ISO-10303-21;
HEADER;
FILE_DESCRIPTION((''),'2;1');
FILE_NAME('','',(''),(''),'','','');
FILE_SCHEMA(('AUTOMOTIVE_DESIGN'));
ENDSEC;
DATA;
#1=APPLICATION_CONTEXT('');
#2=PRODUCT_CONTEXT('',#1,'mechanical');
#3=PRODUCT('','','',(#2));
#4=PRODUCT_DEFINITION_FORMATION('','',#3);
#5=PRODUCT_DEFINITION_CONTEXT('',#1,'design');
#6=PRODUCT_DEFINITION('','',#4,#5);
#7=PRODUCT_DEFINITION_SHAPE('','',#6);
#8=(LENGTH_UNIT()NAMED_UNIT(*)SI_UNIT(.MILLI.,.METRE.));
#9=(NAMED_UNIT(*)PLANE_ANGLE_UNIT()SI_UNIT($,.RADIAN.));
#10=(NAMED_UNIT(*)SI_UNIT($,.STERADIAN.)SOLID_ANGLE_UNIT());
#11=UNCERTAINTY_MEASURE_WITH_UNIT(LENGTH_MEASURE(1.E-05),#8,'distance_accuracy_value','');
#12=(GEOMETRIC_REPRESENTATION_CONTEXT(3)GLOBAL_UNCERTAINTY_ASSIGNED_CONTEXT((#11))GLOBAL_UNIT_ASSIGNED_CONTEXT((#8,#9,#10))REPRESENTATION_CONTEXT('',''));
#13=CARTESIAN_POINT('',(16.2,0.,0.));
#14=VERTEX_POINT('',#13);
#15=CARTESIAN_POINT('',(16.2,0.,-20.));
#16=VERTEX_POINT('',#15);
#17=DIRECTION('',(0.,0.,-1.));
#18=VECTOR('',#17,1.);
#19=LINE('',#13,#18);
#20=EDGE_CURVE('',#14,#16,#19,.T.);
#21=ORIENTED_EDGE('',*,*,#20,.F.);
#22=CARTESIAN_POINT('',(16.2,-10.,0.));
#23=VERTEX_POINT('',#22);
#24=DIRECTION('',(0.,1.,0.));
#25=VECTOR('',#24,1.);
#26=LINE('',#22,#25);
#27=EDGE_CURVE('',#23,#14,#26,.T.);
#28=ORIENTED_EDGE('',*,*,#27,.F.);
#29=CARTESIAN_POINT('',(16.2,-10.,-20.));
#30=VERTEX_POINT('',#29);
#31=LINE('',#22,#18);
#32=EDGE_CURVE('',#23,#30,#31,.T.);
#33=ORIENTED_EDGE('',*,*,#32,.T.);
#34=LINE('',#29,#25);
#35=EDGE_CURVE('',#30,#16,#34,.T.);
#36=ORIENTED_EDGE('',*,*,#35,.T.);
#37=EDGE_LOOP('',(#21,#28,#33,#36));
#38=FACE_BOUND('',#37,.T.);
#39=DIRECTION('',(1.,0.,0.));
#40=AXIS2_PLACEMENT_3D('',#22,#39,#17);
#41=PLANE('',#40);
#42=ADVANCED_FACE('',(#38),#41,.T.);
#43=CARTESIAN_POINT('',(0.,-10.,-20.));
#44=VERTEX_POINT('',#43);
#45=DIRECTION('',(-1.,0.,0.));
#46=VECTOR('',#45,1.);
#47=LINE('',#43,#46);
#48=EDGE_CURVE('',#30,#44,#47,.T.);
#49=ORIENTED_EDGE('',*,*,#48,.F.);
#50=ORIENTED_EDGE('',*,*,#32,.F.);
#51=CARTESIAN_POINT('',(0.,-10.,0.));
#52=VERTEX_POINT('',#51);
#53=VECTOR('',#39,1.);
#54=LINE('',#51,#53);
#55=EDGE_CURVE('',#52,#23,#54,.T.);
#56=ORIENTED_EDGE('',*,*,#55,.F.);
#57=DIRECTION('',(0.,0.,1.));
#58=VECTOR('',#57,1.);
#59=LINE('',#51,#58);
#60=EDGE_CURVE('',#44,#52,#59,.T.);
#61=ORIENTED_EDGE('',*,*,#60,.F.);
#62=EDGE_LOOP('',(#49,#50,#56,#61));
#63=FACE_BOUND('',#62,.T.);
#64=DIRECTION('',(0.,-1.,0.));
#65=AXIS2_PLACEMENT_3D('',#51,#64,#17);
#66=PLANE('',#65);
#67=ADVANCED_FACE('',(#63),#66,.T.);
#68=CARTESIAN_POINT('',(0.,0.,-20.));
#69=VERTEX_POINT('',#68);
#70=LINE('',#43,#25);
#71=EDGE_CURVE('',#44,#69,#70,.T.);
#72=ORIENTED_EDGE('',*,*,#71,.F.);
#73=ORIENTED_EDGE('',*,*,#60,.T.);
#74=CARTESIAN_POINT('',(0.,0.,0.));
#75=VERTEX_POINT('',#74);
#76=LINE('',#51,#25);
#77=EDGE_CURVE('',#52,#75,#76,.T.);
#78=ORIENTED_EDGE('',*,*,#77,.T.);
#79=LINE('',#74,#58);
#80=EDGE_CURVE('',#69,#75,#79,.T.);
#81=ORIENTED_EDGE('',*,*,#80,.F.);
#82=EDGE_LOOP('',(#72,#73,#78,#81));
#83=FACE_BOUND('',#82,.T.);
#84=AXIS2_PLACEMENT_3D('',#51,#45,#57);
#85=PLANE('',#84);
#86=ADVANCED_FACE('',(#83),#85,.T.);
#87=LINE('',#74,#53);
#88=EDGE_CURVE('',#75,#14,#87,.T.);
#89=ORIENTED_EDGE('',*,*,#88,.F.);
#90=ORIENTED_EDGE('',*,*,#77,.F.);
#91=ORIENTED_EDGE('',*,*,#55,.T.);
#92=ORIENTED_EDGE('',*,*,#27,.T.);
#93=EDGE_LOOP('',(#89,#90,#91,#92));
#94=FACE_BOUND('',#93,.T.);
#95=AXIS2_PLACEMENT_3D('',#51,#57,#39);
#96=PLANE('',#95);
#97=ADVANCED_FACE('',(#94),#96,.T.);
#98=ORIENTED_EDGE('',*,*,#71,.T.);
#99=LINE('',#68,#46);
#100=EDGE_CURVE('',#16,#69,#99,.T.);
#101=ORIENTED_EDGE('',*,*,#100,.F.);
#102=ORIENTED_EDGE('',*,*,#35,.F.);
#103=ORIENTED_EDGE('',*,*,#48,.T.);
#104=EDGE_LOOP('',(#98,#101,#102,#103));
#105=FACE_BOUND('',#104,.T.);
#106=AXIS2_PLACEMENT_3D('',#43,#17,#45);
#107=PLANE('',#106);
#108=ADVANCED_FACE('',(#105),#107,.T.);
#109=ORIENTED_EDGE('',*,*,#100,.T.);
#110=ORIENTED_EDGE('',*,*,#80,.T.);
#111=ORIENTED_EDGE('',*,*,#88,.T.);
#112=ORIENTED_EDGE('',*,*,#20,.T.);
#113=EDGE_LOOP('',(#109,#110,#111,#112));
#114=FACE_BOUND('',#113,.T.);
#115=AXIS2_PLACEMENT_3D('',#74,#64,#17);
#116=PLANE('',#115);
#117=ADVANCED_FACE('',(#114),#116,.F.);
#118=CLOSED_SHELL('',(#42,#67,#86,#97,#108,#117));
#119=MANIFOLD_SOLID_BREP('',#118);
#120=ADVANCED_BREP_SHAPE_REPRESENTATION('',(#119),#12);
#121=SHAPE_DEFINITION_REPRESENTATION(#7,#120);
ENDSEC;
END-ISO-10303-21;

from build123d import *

# Parameters (mm, degrees)
SKETCH1_W           = 16.2
SKETCH1_H           = 20
BOSS_EXTRUDE1_DEPTH = 10


with BuildPart() as part:
    # Sketch1 → Boss-Extrude1 (new body)
    with BuildSketch(Plane(origin=(0, 0, 0), x_dir=(1, 0, 0), z_dir=(0, 1, 0))):
        with Locations((8.1, 10)):
            Rectangle(SKETCH1_W, SKETCH1_H)
    extrude(amount=-BOSS_EXTRUDE1_DEPTH)


solid = part.part
